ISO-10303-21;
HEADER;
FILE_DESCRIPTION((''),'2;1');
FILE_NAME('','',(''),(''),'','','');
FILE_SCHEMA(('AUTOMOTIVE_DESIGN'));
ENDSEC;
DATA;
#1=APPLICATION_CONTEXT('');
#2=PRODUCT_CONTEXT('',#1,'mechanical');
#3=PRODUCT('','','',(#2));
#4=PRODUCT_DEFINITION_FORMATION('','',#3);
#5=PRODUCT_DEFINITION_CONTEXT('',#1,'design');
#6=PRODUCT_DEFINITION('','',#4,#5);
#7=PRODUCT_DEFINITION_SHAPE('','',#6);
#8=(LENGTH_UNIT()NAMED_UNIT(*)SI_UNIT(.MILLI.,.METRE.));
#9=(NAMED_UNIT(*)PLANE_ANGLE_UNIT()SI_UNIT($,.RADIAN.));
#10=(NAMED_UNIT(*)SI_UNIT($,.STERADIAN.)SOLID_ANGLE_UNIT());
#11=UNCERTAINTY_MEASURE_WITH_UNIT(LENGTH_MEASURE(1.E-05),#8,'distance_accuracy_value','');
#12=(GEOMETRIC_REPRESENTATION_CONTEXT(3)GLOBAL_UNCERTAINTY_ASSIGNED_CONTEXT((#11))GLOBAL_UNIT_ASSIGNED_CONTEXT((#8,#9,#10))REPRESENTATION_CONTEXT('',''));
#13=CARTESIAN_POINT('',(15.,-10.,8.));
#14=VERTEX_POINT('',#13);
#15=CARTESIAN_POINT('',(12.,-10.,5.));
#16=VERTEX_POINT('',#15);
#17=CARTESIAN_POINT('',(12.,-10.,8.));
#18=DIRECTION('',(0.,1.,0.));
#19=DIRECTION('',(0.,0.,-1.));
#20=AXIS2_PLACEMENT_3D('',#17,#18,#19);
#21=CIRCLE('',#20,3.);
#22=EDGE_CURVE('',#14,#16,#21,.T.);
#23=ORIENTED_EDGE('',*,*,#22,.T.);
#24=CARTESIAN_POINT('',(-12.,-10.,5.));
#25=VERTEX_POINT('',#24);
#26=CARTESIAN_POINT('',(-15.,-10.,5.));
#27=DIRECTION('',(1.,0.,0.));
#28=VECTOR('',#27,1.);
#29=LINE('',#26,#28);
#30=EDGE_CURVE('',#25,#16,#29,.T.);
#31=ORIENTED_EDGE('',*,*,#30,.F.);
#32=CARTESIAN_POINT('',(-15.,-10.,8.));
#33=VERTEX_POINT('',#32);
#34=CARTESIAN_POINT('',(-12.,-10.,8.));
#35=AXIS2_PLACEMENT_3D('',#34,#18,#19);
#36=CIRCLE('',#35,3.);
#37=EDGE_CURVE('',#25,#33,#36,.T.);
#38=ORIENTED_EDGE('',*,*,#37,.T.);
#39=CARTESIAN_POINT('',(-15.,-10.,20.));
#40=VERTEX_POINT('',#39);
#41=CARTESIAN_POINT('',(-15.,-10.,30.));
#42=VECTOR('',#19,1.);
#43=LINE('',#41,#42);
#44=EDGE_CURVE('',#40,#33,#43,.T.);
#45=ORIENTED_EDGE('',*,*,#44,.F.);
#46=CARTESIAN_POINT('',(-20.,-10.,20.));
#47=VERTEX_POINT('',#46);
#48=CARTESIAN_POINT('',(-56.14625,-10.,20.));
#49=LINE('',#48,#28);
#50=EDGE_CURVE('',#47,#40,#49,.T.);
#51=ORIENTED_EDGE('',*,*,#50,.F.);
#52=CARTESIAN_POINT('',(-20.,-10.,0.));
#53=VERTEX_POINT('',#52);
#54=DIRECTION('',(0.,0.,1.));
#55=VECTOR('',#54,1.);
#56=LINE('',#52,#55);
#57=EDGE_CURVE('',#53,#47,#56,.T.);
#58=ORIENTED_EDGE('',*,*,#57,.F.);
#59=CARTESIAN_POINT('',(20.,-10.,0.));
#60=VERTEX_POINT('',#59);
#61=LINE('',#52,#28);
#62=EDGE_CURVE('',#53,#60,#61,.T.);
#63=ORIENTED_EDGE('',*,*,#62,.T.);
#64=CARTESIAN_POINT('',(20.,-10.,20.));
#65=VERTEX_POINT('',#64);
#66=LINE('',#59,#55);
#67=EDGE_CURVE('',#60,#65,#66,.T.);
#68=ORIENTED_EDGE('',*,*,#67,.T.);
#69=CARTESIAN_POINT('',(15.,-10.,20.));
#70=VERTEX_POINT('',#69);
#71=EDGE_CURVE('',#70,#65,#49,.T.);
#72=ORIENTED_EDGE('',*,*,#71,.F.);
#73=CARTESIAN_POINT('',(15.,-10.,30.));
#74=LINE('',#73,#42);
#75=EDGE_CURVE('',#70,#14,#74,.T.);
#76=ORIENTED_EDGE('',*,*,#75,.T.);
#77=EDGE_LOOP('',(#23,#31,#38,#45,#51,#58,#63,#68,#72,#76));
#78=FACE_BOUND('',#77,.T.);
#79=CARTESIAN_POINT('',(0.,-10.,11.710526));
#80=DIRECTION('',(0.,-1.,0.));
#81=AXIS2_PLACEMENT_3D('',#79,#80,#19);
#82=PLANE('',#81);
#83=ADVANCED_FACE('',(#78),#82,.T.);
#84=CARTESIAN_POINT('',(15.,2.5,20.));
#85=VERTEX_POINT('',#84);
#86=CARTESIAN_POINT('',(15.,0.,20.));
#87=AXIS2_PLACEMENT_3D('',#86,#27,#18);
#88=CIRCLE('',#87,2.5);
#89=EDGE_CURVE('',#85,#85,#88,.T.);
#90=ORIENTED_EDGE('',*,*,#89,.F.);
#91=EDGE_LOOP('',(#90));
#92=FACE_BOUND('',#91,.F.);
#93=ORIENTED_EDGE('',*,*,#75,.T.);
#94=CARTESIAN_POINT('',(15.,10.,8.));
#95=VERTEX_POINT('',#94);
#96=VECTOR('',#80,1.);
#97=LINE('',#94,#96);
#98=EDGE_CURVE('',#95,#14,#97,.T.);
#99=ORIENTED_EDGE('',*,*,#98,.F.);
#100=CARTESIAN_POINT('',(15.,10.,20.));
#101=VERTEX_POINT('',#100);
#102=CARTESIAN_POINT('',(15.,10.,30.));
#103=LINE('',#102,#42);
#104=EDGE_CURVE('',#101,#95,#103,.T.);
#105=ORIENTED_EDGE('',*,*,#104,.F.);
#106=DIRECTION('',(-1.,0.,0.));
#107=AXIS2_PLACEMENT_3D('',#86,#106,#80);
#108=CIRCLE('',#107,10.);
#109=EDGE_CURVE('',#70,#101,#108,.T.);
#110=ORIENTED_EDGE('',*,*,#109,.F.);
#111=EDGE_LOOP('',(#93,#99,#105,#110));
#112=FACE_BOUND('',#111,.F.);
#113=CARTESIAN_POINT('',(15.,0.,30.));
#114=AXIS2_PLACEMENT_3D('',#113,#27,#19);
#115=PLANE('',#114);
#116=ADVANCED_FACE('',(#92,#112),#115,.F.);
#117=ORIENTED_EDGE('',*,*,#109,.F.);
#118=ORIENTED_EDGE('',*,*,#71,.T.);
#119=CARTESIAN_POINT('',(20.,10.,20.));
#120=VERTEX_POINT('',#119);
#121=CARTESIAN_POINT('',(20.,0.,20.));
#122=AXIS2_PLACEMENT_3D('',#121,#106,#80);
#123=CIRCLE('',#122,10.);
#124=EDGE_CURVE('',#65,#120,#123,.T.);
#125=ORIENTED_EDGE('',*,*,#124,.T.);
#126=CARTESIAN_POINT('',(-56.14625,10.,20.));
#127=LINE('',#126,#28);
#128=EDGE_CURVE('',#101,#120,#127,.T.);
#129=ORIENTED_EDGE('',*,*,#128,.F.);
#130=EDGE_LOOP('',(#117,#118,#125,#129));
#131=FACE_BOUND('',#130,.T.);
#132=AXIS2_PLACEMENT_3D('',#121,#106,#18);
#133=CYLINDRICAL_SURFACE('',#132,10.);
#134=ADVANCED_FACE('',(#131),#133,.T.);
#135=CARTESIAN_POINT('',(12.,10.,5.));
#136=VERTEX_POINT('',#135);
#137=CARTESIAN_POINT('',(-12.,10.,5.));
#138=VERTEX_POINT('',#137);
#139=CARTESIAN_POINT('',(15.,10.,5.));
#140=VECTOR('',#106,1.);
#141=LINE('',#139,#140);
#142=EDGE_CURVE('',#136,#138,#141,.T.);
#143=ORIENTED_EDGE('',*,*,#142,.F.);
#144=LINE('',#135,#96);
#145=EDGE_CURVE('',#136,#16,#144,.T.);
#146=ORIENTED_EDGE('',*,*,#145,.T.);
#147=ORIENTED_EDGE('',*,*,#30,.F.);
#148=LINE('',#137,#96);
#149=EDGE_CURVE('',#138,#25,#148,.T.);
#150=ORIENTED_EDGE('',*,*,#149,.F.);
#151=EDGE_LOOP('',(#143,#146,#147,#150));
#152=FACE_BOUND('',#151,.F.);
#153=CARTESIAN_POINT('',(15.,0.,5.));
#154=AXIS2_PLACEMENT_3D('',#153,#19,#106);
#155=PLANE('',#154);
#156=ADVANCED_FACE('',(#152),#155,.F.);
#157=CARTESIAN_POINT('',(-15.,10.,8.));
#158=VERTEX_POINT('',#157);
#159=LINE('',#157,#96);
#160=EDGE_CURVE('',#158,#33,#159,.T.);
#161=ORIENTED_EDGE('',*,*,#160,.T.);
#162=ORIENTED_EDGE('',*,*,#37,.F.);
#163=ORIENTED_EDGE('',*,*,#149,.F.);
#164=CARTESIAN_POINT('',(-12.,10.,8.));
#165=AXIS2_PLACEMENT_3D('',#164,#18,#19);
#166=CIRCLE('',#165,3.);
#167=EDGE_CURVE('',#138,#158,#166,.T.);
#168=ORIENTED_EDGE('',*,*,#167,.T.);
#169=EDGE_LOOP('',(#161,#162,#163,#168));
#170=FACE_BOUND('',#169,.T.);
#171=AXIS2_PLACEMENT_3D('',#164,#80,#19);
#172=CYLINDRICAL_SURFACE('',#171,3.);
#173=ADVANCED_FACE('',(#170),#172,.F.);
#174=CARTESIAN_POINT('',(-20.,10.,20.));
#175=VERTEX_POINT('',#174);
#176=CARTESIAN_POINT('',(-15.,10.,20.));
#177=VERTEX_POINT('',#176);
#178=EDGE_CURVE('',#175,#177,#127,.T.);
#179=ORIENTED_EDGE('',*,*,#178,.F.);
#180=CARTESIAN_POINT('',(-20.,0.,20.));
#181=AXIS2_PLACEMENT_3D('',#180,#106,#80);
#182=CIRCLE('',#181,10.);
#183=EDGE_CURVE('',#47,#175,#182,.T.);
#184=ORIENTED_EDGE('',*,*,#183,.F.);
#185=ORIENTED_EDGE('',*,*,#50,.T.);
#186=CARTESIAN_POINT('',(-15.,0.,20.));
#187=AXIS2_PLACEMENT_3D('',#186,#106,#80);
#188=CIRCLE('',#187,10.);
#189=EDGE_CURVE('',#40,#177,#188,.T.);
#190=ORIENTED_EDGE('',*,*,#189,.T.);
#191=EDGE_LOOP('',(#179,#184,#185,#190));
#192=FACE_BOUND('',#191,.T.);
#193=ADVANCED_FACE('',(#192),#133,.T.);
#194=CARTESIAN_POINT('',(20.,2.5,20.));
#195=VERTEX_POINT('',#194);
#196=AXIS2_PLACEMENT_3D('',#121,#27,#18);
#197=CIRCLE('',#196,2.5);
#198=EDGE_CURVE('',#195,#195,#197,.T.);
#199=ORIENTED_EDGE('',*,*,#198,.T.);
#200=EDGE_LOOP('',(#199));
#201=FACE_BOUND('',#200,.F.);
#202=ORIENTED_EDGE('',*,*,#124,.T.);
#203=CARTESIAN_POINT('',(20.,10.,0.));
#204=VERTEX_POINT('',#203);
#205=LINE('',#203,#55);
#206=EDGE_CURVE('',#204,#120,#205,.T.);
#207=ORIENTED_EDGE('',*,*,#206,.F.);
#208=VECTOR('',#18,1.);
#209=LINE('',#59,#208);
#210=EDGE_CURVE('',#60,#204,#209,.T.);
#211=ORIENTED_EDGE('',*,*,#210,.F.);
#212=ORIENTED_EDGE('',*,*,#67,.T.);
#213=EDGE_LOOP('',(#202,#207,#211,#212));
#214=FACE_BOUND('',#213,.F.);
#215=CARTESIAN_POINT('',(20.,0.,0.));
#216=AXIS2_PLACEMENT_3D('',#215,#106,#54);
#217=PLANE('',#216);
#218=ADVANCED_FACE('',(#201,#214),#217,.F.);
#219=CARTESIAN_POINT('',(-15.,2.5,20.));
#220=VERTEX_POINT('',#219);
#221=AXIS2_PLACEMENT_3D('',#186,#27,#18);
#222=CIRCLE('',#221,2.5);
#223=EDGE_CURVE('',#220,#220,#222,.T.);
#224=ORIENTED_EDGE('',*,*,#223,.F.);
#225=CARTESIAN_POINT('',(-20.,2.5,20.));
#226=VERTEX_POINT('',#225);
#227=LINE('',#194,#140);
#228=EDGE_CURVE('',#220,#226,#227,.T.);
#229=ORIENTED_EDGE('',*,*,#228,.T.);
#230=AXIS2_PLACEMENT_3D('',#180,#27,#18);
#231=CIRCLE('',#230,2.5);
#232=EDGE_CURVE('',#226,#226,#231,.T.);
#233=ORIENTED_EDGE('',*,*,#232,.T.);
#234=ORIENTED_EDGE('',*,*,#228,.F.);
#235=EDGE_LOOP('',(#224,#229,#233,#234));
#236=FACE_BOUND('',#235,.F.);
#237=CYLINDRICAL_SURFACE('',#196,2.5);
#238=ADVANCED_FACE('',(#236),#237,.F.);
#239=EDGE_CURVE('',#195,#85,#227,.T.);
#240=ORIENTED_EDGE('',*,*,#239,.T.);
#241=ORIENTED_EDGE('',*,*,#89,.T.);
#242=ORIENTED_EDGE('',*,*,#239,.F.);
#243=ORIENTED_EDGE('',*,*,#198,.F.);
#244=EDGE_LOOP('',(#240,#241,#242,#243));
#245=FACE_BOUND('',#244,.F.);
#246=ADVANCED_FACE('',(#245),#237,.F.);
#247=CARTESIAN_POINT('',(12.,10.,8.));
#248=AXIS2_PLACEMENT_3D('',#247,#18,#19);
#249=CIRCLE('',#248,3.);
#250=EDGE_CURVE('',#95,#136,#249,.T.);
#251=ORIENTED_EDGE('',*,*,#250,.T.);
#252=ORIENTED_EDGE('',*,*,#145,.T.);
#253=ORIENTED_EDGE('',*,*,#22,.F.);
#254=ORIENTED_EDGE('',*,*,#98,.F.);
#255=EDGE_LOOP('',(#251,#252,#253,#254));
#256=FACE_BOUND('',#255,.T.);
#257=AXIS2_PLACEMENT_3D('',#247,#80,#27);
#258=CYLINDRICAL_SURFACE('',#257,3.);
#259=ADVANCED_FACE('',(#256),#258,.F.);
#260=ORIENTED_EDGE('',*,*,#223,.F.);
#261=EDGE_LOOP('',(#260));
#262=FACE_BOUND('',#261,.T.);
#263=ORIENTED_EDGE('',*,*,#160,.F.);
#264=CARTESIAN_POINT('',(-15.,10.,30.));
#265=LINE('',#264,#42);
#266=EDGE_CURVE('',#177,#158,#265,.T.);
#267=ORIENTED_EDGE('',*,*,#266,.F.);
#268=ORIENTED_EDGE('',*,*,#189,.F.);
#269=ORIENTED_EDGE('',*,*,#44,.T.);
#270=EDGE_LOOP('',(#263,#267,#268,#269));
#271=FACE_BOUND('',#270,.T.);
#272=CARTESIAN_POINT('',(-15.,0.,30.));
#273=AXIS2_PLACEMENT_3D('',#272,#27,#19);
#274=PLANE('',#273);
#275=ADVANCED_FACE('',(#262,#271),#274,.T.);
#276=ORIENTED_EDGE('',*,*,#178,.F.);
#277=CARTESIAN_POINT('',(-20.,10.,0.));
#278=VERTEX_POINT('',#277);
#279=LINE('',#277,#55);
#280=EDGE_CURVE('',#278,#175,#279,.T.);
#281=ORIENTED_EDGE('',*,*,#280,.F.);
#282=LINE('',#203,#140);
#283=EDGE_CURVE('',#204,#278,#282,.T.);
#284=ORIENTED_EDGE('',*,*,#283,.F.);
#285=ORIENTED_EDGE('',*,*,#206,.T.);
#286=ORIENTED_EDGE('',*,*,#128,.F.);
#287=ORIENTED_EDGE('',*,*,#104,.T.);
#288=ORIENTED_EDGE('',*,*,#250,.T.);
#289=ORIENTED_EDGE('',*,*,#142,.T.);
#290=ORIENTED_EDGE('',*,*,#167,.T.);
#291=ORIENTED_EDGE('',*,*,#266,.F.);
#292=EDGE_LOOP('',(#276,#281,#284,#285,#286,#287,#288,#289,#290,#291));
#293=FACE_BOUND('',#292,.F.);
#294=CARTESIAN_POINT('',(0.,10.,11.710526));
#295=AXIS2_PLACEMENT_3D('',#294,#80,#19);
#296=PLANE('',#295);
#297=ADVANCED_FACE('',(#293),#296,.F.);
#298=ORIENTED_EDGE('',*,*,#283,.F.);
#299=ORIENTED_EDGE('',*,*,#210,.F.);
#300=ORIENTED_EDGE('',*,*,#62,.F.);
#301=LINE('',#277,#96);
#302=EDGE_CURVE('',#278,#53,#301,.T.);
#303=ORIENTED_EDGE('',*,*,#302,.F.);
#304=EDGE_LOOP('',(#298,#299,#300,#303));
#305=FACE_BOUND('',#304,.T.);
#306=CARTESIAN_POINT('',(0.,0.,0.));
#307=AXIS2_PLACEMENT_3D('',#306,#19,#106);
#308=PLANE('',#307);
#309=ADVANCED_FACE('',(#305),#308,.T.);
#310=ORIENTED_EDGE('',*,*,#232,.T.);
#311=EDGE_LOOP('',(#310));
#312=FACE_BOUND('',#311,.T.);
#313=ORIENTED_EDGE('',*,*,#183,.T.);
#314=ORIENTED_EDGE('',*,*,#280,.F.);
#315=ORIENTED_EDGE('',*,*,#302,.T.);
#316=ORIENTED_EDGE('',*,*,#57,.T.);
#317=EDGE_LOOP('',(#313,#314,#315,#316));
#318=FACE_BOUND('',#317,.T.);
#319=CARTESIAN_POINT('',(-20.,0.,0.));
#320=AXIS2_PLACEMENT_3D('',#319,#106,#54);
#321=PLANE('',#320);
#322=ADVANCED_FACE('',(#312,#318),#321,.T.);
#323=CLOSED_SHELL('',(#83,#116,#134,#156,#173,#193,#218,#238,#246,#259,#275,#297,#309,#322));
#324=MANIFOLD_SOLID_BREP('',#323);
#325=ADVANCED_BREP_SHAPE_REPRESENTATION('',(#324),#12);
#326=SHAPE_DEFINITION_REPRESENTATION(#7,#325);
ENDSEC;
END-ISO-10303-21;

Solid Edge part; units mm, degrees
sketch "Sketch1" plane through (0, 0, 0) normal (0, -1, 0) x (1, 0, 0)
  line L0 (15, 30) -> (15, 5)
  line L1 (15, 5) -> (0, 5)
  line L2 (-15, 5) -> (0, 5)
  line L3 (-15, 30) -> (-15, 5)
  line L4 (-20, 30) -> (-15, 30)
  line L5 (-20, 0) -> (-20, 30)
  line L6 (0, 0) -> (-20, 0)
  line L7 (0, 0) -> (20, 0)
  line L8 (20, 0) -> (20, 30)
  line L9 (20, 30) -> (15, 30)
extrude "ProtrusiónExtruida_1" add sketch "Sketch1" along normal mid plane 20
sketch "Sketch2" plane through (20, 0, 15) normal (1, 0, 0) x (0, 1, 0)
  line L0 (0, 15) -> (10, 15)
  line L1 (10, 5) -> (10, 15)
  arc A0 (0, 15) -> (10, 5) centre (0, 5) cw
  line L2 (-10, 5) -> (-10, 15)
  line L3 (-10, 15) -> (0, 15)
  arc A1 (-10, 5) -> (0, 15) centre (0, 5) cw
  circle A2 centre (0, 5) radius 2.5
extrude "VaciadoExtruido_1" cut sketch "Sketch2" along normal mid plane 152.2925
fillet "Redondeo_1" radius 3 2 edges at (-15, 0, 5) (15, 0, 5)
properties material "PLA"
